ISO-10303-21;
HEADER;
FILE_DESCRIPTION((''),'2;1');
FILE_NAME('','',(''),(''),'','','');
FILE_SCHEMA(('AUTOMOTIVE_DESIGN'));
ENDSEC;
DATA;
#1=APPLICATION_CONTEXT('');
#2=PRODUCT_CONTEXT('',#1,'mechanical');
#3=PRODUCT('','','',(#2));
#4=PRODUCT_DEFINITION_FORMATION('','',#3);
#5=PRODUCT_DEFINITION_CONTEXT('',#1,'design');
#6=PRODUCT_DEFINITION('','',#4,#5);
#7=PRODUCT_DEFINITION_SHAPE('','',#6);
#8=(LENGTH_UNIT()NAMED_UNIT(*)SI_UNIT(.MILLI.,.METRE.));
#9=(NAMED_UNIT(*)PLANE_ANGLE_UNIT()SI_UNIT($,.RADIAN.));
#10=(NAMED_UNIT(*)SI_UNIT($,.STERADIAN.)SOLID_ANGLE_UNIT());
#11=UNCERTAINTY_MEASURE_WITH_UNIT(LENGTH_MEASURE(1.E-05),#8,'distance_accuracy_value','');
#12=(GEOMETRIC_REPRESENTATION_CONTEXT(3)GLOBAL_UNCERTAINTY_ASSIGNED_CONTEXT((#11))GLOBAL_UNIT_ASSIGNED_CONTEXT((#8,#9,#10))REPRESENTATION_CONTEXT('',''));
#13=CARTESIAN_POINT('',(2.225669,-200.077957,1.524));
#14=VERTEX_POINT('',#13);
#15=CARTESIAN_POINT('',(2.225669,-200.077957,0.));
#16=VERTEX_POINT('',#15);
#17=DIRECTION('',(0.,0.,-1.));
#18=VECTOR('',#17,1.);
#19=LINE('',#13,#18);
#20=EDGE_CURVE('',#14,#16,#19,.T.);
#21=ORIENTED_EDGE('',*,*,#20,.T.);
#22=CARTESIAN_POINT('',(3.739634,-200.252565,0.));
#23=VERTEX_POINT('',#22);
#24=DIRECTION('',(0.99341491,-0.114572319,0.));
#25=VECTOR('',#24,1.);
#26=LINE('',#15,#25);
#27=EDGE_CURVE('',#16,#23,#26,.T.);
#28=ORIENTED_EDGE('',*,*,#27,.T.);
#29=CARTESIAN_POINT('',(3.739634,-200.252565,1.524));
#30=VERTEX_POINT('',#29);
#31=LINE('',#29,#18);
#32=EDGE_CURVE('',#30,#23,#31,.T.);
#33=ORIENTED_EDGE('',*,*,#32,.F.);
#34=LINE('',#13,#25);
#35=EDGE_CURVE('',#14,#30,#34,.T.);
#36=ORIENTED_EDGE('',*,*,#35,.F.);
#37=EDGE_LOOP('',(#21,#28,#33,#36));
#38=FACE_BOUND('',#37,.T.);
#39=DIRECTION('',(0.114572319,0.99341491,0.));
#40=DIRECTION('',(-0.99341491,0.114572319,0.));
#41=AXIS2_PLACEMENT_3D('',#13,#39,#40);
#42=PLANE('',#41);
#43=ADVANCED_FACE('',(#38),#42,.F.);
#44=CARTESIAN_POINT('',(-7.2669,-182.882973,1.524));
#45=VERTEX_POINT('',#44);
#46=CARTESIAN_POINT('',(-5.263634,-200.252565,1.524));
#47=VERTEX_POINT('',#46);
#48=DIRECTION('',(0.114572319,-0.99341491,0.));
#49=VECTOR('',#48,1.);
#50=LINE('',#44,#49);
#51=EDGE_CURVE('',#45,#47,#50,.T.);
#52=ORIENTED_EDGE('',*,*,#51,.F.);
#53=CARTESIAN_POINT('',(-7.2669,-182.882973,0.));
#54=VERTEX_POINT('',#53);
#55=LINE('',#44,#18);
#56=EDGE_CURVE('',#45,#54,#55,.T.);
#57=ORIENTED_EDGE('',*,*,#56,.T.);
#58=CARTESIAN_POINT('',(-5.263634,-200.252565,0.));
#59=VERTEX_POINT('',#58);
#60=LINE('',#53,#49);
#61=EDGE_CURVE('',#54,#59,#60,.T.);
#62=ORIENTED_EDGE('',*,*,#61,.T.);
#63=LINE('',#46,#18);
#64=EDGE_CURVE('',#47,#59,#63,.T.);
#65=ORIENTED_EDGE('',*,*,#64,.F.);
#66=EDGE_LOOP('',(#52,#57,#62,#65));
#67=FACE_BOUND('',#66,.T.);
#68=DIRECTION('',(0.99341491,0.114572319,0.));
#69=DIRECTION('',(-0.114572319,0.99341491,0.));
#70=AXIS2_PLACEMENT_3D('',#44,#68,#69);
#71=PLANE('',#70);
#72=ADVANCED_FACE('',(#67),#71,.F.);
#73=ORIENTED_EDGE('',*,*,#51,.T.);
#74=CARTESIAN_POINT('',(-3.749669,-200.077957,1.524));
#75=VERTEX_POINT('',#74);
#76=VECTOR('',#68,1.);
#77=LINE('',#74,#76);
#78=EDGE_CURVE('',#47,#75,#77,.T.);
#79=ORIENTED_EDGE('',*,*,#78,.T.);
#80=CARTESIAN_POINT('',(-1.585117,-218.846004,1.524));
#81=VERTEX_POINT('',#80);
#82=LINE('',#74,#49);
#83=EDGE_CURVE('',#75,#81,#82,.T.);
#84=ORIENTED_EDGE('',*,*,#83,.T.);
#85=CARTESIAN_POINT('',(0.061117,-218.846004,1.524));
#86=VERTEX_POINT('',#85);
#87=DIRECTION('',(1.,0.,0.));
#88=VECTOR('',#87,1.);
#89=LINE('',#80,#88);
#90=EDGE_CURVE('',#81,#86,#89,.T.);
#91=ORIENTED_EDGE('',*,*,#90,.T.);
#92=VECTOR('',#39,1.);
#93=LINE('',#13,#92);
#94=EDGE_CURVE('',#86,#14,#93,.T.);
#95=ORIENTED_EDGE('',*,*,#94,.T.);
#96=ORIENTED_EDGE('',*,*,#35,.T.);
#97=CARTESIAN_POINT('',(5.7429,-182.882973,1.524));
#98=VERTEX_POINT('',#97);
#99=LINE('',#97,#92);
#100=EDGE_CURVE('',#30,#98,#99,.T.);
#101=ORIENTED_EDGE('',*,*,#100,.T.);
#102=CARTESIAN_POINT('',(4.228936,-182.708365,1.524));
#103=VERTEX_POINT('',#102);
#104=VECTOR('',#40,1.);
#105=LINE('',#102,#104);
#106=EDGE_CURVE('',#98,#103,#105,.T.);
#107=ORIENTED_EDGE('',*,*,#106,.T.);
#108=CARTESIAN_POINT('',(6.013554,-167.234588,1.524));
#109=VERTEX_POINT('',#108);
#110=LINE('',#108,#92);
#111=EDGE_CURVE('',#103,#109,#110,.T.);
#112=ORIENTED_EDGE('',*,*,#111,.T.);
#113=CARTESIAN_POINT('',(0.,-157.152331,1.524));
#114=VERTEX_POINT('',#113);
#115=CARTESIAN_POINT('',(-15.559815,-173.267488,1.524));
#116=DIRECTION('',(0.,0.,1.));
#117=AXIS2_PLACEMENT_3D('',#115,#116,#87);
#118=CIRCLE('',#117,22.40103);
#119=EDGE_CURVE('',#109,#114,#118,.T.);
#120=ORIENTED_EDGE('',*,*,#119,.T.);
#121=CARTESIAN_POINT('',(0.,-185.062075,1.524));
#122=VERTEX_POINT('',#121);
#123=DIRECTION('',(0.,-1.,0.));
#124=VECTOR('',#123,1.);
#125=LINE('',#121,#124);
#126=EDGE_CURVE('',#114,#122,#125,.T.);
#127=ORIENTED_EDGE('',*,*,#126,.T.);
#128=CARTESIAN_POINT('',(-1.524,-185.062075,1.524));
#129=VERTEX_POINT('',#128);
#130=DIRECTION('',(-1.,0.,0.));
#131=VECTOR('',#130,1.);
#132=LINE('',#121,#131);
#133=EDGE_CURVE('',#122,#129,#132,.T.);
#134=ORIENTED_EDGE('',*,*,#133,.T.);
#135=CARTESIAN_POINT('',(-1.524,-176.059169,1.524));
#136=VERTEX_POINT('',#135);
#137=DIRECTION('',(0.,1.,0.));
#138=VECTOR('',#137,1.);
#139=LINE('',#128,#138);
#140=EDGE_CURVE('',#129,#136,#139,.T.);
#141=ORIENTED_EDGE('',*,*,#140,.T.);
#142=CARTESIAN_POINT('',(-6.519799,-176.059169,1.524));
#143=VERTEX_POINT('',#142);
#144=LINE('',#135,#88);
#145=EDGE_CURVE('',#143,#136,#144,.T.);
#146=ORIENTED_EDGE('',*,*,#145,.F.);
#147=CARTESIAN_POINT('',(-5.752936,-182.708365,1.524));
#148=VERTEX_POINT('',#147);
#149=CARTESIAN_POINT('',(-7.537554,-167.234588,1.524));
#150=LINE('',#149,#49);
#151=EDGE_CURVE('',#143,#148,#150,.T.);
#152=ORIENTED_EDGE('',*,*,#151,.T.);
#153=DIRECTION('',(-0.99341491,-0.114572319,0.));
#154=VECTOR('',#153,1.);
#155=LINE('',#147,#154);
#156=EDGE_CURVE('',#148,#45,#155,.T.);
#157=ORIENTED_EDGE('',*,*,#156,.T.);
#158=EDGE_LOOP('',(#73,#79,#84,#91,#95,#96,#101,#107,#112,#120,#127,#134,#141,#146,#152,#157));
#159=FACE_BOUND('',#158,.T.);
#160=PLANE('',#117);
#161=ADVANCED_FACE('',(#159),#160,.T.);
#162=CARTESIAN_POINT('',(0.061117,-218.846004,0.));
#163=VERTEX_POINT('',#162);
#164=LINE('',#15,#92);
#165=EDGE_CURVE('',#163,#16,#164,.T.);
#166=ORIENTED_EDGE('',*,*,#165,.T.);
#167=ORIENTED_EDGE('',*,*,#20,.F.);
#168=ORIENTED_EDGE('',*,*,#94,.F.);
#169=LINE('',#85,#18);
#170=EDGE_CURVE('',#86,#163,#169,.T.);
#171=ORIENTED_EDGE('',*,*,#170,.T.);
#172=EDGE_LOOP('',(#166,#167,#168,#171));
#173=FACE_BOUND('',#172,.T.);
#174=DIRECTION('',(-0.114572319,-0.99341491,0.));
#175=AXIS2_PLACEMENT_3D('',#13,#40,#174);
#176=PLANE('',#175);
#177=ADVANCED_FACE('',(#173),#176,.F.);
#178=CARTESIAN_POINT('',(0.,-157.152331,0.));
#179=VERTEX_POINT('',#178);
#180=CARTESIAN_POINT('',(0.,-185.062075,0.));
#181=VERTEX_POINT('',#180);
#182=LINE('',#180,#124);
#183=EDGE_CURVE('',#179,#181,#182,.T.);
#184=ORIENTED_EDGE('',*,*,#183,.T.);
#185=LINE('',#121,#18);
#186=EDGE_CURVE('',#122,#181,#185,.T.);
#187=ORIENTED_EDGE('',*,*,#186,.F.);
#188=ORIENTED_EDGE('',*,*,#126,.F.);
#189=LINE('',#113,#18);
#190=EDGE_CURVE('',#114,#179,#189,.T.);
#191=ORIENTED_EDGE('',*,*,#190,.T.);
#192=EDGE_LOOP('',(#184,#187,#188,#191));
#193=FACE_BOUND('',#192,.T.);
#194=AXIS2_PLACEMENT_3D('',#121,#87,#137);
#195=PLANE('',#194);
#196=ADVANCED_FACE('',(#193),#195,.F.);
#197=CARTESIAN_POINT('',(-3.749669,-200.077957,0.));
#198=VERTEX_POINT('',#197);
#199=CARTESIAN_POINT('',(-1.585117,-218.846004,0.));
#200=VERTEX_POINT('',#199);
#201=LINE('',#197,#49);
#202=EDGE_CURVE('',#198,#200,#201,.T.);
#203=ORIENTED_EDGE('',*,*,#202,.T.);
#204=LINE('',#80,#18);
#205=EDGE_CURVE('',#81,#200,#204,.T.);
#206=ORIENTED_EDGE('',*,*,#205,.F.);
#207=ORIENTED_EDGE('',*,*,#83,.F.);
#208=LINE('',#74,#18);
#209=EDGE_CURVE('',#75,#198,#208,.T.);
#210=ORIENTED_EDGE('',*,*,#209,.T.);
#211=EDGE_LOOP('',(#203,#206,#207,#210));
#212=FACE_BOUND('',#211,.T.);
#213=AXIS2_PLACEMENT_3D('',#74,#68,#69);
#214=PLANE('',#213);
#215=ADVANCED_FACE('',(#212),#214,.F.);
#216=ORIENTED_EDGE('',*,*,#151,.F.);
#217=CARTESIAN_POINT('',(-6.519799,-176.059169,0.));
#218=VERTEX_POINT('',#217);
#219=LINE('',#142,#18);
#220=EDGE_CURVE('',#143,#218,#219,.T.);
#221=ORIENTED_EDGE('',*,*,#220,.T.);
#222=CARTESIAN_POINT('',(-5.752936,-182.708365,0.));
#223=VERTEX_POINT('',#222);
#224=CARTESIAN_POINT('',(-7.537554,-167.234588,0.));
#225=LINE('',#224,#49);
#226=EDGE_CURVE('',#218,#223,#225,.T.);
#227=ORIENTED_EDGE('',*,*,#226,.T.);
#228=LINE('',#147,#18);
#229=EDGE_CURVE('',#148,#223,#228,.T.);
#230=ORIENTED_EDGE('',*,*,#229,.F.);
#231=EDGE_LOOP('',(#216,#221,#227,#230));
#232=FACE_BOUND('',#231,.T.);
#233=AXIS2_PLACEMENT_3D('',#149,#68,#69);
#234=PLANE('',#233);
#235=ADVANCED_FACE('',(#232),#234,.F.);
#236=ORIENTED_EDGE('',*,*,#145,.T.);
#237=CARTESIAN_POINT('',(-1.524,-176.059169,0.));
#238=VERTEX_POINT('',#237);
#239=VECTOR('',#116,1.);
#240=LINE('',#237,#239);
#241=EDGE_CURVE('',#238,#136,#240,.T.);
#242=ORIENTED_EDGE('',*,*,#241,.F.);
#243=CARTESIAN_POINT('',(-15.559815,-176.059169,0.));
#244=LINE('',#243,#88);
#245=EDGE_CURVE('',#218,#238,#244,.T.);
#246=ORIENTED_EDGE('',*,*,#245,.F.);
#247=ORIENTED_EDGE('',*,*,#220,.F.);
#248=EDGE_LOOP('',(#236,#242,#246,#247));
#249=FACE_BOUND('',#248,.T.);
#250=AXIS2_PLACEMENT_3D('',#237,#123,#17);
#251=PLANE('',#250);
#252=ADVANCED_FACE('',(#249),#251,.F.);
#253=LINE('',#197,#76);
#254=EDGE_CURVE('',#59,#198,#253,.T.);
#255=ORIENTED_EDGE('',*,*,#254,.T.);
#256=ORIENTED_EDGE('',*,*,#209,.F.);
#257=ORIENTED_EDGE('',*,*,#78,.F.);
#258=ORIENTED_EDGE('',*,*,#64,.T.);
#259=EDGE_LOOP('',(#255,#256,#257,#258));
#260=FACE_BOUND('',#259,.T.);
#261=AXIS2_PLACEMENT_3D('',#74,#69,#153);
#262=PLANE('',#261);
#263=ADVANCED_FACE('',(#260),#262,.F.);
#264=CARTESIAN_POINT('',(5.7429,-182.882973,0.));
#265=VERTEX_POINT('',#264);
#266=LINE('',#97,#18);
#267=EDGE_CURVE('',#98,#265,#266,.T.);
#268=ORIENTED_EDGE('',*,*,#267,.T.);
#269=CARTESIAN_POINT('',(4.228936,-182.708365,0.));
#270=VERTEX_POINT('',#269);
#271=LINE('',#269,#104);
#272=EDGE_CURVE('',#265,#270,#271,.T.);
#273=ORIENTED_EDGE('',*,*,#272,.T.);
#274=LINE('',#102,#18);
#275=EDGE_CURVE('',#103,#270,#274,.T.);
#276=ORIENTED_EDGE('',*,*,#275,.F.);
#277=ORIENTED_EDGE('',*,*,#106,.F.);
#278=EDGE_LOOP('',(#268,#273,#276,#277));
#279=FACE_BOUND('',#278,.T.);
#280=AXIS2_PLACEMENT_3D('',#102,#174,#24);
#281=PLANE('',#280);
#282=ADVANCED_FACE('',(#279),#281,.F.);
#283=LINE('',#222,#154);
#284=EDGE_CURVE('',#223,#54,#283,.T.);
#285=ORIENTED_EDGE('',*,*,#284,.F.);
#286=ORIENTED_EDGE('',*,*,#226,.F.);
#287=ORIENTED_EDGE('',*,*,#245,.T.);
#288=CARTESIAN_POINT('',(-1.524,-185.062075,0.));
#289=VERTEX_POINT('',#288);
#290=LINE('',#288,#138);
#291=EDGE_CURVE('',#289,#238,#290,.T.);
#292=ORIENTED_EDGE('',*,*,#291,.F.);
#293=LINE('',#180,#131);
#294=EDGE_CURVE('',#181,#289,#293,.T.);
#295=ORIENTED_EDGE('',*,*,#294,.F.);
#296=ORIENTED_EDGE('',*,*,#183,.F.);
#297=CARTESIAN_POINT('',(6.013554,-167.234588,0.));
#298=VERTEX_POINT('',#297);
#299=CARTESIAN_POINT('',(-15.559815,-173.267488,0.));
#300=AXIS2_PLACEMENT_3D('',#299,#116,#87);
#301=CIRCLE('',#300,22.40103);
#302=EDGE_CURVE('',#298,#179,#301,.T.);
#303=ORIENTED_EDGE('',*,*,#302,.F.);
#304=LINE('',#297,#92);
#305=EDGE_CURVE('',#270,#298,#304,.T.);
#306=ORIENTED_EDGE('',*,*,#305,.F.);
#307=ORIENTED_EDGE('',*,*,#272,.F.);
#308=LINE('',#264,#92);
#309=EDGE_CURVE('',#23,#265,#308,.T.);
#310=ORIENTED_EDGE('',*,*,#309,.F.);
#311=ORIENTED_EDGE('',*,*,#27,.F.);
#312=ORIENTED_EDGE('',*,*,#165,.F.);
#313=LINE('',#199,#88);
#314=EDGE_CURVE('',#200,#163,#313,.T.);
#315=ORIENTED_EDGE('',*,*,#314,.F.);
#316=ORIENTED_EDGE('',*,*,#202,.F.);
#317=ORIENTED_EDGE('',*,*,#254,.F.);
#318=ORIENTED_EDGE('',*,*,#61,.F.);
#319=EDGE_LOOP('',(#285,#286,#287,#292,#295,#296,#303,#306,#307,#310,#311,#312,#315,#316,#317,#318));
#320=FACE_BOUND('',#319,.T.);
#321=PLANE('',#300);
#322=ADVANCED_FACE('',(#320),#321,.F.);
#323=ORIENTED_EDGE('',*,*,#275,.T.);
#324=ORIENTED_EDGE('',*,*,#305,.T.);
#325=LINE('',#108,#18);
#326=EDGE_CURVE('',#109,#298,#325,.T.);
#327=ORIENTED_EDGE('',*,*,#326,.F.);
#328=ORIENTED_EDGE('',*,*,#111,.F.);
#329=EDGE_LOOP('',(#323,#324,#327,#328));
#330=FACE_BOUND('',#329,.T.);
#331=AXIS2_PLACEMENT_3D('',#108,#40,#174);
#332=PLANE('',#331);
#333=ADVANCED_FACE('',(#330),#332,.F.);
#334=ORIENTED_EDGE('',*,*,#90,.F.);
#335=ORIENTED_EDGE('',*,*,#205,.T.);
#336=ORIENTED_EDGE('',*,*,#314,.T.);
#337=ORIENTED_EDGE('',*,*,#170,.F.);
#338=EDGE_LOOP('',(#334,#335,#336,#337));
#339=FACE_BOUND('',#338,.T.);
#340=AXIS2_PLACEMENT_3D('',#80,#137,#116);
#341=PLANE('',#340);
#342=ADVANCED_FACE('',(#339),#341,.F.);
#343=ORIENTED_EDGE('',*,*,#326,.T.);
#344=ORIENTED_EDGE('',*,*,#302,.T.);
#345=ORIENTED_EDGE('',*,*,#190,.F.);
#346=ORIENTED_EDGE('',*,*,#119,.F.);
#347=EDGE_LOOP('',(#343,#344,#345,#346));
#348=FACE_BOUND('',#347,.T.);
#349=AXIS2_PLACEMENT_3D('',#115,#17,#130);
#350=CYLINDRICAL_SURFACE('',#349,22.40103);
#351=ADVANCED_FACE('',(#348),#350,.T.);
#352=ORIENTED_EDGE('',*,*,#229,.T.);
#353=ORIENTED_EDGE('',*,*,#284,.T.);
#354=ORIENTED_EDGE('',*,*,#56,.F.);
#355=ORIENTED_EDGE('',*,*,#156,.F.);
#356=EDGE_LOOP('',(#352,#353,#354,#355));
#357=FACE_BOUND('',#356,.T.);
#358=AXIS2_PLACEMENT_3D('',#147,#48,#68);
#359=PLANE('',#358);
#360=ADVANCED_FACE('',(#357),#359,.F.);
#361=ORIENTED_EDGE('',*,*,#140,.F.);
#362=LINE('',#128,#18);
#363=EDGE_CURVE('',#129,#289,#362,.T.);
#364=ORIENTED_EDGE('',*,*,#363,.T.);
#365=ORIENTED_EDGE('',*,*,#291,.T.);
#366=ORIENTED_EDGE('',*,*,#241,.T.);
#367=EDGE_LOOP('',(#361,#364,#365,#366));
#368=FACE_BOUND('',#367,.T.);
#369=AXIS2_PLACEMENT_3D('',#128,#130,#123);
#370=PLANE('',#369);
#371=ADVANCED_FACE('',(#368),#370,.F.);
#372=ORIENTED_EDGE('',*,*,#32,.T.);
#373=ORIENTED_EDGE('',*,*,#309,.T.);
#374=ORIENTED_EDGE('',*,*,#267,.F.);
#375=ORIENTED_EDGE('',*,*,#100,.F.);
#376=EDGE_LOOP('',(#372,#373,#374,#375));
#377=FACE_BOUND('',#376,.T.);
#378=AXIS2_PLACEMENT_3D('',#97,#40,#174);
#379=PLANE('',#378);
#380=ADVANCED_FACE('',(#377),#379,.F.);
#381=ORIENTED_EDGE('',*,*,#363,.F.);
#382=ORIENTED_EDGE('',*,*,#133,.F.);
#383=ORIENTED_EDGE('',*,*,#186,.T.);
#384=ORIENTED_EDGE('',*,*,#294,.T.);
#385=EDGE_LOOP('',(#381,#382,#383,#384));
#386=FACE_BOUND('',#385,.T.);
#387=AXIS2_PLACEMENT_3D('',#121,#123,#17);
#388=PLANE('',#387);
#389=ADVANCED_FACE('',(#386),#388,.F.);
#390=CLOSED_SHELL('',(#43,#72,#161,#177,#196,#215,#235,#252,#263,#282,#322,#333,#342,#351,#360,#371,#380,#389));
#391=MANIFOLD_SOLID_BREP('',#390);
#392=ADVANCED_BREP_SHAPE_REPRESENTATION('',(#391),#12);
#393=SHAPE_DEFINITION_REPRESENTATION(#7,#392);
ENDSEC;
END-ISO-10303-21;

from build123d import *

# Parameters (mm, degrees)
BOSS_EXTRUDE1_DEPTH = 1.524
SKETCH2_W           = 10.339952981
SKETCH2_H           = 21.008044078
CUT_EXTRUDE1_DEPTH  = 1.524


with BuildPart() as part:
    # Sketch1 → Boss-Extrude1 (new body)
    with BuildSketch(Plane.XY):
        with BuildLine():
            Line((0, -185.062075144), (-1.524, -185.062075144))
            Line((-1.524, -185.062075144), (-1.524, -157.15233073))
            ThreePointArc((-1.524, -157.15233073), (-5.202982181, -161.792523258), (-7.537553978, -167.234588225))
            Line((-7.537553978, -167.234588225), (-5.752935589, -182.708365208))
            Line((-5.752935589, -182.708365208), (-7.266899912, -182.882973423))
            Line((-7.266899912, -182.882973423), (-5.263633807, -200.252565221))
            Line((-5.263633807, -200.252565221), (-3.749669484, -200.077957006))
            Line((-3.749669484, -200.077957006), (-1.585117021, -218.846004156))
            Line((-1.585117021, -218.846004156), (0.061117021, -218.846004156))
            Line((0.061117021, -218.846004156), (2.225669484, -200.077957006))
            Line((2.225669484, -200.077957006), (3.739633807, -200.252565221))
            Line((3.739633807, -200.252565221), (5.742899912, -182.882973423))
            Line((5.742899912, -182.882973423), (4.228935589, -182.708365208))
            Line((4.228935589, -182.708365208), (6.013553978, -167.234588225))
            ThreePointArc((6.013553978, -167.234588225), (3.678982181, -161.792523258), (0, -157.15233073))
            Line((0, -157.15233073), (0, -185.062075144))
        make_face()
    extrude(amount=BOSS_EXTRUDE1_DEPTH)

    # Sketch2 → Cut-Extrude1 (cut)
    with BuildSketch(Plane.XY.offset(1.524)):
        with Locations((-6.693976491, -165.555147297)):
            Rectangle(SKETCH2_W, SKETCH2_H)
    extrude(amount=-CUT_EXTRUDE1_DEPTH, mode=Mode.SUBTRACT)


solid = part.part
